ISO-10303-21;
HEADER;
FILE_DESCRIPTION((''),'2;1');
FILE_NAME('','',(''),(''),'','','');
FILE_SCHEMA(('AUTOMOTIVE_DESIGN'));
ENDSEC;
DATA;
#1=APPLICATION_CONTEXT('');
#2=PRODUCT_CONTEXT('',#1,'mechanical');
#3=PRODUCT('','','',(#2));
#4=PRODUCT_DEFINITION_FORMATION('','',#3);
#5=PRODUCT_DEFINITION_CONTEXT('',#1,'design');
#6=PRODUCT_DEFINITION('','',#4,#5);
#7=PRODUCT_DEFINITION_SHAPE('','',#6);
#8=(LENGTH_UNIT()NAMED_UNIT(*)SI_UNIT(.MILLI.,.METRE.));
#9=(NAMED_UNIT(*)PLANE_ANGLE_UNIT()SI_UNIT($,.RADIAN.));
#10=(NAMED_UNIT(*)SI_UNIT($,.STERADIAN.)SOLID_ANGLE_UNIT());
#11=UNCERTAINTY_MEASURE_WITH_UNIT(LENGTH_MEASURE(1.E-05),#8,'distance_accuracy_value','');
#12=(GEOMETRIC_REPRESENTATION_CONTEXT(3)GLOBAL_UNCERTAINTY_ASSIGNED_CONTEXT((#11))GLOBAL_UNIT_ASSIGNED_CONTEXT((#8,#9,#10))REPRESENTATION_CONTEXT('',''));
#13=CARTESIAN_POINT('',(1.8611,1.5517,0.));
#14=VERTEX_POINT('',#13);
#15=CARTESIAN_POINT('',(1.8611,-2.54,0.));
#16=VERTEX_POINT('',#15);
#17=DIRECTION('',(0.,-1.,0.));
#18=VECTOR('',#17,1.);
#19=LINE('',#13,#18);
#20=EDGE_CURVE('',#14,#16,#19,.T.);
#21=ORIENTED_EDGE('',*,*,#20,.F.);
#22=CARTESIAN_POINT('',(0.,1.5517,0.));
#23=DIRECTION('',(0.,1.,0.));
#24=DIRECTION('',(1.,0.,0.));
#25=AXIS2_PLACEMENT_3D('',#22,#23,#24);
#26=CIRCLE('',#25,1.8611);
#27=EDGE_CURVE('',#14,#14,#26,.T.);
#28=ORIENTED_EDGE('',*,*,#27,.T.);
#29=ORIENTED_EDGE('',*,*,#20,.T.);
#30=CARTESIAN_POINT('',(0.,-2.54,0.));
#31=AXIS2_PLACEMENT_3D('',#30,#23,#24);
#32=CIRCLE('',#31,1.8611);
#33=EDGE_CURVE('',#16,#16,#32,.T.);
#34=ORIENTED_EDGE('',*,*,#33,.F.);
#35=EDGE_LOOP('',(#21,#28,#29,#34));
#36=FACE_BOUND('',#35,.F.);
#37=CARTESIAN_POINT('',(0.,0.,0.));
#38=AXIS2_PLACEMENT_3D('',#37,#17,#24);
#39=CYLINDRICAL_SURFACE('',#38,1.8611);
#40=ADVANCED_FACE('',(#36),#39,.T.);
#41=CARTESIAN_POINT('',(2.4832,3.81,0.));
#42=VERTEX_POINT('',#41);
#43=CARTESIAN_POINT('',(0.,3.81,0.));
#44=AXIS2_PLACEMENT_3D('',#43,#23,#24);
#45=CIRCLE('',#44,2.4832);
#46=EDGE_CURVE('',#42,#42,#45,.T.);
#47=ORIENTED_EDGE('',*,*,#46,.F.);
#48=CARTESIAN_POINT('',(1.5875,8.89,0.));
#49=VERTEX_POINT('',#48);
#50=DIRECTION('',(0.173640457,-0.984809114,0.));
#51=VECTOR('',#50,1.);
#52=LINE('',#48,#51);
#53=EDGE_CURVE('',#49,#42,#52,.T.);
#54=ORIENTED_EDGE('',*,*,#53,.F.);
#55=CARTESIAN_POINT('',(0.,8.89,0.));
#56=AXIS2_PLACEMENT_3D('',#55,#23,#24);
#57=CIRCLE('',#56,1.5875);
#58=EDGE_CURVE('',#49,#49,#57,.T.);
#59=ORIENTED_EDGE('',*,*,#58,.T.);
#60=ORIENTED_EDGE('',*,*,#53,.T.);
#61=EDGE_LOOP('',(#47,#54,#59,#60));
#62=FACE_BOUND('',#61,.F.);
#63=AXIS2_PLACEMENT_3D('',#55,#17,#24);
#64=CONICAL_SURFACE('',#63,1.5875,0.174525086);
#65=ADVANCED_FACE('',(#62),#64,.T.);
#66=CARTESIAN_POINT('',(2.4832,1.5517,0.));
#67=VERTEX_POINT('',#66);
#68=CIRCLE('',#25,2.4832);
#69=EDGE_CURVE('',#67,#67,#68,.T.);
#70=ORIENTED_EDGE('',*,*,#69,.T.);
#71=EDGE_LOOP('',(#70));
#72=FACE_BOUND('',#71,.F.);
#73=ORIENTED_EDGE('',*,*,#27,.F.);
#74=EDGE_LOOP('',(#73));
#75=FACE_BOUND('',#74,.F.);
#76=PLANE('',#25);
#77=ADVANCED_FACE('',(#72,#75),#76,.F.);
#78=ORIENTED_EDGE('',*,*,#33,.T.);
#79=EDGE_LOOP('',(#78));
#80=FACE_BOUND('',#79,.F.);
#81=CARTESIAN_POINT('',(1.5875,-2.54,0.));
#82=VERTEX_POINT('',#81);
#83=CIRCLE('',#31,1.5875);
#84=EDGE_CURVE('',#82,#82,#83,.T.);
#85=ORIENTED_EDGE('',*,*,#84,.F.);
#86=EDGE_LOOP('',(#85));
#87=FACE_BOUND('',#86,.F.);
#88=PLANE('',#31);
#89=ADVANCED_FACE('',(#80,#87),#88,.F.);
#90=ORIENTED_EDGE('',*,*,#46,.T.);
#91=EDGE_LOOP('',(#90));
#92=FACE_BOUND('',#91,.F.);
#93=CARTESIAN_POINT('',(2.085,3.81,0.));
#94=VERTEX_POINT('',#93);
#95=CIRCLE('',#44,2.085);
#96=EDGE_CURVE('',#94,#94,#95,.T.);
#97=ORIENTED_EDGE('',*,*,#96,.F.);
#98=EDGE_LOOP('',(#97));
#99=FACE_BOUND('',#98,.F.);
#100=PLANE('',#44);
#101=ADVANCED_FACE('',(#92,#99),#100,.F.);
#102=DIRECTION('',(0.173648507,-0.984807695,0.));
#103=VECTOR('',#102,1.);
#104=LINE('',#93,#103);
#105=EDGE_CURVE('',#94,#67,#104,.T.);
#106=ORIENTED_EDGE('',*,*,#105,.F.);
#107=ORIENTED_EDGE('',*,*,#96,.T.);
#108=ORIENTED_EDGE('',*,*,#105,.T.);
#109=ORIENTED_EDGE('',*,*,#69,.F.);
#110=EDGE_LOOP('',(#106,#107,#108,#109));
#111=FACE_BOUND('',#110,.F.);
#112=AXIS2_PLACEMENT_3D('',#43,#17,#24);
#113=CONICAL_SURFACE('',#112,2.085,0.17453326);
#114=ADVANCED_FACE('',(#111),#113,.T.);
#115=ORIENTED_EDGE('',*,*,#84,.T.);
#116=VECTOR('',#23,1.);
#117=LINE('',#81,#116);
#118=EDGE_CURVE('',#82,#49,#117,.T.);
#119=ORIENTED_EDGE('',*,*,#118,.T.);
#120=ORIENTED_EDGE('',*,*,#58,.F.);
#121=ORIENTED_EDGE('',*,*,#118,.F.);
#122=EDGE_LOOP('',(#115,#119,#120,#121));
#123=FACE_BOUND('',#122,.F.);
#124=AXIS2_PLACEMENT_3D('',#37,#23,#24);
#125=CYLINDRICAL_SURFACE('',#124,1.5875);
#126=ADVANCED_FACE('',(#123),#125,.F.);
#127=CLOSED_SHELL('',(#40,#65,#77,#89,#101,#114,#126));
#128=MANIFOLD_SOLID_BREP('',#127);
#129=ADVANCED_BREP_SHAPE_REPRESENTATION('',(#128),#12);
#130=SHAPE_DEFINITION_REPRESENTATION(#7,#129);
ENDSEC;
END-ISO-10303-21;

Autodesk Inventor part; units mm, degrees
ref_plane "YZ Plane" through (0, 0, 0) normal (1, 0, 0) x (0, 1, 0)
ref_plane "XZ Plane" through (0, 0, 0) normal (0, 1, 0) x (-1, 0, 0)
ref_plane "XY Plane" through (0, 0, 0) normal (0, 0, 1) x (1, 0, 0)
sketch "Sketch1" plane through (0, 0, 0) normal (0, 0, 1) x (1, 0, 0)
  line L0 (1.5875, 0) -> (1.5875, 8.89)
  line L1 (1.5875, 8.89) -> (2.4832, 3.81)
  line L2 (1.5875, 8.89) -> (6.7459, 8.89) construction
  line L3 (2.4832, 3.81) -> (2.085, 3.81)
  line L4 (2.085, 3.81) -> (2.4832, 1.5517)
  line L5 (2.4832, 1.5517) -> (1.8611, 1.5517)
  line L6 (1.8611, 1.5517) -> (1.8611, 0)
  line L7 (1.8611, 0) -> (1.5875, 0)
  line L8 (0, -4.826) -> (0, 11.176) projected
  line L9 (1.5875, 0) -> (1.8611, 0)
  line L10 (1.8611, 0) -> (1.8611, -2.54)
  line L11 (1.8611, -2.54) -> (1.5875, -2.54)
  line L12 (1.5875, -2.54) -> (1.5875, 0)
  point P0 (0, 0)
  point P1 (2.1722, 1.5517)
  dimension "d1" = 1.5875
  dimension "d3" = 0
  dimension "d4" = 80
  dimension "d5" = 0.3982
  dimension "d6" = 2.2583
  dimension "d7" = 1.5517
  dimension "d8" = 1.8611
  dimension "d10" = 8.89
  dimension "d11" = 2.54
  dimension "d12" = 0.2736
revolve "Revolution1" add sketch "Sketch1" angle 360 about axis through (0, -10, 0) along (0, 1, 0)
properties part number "eigthinch"
